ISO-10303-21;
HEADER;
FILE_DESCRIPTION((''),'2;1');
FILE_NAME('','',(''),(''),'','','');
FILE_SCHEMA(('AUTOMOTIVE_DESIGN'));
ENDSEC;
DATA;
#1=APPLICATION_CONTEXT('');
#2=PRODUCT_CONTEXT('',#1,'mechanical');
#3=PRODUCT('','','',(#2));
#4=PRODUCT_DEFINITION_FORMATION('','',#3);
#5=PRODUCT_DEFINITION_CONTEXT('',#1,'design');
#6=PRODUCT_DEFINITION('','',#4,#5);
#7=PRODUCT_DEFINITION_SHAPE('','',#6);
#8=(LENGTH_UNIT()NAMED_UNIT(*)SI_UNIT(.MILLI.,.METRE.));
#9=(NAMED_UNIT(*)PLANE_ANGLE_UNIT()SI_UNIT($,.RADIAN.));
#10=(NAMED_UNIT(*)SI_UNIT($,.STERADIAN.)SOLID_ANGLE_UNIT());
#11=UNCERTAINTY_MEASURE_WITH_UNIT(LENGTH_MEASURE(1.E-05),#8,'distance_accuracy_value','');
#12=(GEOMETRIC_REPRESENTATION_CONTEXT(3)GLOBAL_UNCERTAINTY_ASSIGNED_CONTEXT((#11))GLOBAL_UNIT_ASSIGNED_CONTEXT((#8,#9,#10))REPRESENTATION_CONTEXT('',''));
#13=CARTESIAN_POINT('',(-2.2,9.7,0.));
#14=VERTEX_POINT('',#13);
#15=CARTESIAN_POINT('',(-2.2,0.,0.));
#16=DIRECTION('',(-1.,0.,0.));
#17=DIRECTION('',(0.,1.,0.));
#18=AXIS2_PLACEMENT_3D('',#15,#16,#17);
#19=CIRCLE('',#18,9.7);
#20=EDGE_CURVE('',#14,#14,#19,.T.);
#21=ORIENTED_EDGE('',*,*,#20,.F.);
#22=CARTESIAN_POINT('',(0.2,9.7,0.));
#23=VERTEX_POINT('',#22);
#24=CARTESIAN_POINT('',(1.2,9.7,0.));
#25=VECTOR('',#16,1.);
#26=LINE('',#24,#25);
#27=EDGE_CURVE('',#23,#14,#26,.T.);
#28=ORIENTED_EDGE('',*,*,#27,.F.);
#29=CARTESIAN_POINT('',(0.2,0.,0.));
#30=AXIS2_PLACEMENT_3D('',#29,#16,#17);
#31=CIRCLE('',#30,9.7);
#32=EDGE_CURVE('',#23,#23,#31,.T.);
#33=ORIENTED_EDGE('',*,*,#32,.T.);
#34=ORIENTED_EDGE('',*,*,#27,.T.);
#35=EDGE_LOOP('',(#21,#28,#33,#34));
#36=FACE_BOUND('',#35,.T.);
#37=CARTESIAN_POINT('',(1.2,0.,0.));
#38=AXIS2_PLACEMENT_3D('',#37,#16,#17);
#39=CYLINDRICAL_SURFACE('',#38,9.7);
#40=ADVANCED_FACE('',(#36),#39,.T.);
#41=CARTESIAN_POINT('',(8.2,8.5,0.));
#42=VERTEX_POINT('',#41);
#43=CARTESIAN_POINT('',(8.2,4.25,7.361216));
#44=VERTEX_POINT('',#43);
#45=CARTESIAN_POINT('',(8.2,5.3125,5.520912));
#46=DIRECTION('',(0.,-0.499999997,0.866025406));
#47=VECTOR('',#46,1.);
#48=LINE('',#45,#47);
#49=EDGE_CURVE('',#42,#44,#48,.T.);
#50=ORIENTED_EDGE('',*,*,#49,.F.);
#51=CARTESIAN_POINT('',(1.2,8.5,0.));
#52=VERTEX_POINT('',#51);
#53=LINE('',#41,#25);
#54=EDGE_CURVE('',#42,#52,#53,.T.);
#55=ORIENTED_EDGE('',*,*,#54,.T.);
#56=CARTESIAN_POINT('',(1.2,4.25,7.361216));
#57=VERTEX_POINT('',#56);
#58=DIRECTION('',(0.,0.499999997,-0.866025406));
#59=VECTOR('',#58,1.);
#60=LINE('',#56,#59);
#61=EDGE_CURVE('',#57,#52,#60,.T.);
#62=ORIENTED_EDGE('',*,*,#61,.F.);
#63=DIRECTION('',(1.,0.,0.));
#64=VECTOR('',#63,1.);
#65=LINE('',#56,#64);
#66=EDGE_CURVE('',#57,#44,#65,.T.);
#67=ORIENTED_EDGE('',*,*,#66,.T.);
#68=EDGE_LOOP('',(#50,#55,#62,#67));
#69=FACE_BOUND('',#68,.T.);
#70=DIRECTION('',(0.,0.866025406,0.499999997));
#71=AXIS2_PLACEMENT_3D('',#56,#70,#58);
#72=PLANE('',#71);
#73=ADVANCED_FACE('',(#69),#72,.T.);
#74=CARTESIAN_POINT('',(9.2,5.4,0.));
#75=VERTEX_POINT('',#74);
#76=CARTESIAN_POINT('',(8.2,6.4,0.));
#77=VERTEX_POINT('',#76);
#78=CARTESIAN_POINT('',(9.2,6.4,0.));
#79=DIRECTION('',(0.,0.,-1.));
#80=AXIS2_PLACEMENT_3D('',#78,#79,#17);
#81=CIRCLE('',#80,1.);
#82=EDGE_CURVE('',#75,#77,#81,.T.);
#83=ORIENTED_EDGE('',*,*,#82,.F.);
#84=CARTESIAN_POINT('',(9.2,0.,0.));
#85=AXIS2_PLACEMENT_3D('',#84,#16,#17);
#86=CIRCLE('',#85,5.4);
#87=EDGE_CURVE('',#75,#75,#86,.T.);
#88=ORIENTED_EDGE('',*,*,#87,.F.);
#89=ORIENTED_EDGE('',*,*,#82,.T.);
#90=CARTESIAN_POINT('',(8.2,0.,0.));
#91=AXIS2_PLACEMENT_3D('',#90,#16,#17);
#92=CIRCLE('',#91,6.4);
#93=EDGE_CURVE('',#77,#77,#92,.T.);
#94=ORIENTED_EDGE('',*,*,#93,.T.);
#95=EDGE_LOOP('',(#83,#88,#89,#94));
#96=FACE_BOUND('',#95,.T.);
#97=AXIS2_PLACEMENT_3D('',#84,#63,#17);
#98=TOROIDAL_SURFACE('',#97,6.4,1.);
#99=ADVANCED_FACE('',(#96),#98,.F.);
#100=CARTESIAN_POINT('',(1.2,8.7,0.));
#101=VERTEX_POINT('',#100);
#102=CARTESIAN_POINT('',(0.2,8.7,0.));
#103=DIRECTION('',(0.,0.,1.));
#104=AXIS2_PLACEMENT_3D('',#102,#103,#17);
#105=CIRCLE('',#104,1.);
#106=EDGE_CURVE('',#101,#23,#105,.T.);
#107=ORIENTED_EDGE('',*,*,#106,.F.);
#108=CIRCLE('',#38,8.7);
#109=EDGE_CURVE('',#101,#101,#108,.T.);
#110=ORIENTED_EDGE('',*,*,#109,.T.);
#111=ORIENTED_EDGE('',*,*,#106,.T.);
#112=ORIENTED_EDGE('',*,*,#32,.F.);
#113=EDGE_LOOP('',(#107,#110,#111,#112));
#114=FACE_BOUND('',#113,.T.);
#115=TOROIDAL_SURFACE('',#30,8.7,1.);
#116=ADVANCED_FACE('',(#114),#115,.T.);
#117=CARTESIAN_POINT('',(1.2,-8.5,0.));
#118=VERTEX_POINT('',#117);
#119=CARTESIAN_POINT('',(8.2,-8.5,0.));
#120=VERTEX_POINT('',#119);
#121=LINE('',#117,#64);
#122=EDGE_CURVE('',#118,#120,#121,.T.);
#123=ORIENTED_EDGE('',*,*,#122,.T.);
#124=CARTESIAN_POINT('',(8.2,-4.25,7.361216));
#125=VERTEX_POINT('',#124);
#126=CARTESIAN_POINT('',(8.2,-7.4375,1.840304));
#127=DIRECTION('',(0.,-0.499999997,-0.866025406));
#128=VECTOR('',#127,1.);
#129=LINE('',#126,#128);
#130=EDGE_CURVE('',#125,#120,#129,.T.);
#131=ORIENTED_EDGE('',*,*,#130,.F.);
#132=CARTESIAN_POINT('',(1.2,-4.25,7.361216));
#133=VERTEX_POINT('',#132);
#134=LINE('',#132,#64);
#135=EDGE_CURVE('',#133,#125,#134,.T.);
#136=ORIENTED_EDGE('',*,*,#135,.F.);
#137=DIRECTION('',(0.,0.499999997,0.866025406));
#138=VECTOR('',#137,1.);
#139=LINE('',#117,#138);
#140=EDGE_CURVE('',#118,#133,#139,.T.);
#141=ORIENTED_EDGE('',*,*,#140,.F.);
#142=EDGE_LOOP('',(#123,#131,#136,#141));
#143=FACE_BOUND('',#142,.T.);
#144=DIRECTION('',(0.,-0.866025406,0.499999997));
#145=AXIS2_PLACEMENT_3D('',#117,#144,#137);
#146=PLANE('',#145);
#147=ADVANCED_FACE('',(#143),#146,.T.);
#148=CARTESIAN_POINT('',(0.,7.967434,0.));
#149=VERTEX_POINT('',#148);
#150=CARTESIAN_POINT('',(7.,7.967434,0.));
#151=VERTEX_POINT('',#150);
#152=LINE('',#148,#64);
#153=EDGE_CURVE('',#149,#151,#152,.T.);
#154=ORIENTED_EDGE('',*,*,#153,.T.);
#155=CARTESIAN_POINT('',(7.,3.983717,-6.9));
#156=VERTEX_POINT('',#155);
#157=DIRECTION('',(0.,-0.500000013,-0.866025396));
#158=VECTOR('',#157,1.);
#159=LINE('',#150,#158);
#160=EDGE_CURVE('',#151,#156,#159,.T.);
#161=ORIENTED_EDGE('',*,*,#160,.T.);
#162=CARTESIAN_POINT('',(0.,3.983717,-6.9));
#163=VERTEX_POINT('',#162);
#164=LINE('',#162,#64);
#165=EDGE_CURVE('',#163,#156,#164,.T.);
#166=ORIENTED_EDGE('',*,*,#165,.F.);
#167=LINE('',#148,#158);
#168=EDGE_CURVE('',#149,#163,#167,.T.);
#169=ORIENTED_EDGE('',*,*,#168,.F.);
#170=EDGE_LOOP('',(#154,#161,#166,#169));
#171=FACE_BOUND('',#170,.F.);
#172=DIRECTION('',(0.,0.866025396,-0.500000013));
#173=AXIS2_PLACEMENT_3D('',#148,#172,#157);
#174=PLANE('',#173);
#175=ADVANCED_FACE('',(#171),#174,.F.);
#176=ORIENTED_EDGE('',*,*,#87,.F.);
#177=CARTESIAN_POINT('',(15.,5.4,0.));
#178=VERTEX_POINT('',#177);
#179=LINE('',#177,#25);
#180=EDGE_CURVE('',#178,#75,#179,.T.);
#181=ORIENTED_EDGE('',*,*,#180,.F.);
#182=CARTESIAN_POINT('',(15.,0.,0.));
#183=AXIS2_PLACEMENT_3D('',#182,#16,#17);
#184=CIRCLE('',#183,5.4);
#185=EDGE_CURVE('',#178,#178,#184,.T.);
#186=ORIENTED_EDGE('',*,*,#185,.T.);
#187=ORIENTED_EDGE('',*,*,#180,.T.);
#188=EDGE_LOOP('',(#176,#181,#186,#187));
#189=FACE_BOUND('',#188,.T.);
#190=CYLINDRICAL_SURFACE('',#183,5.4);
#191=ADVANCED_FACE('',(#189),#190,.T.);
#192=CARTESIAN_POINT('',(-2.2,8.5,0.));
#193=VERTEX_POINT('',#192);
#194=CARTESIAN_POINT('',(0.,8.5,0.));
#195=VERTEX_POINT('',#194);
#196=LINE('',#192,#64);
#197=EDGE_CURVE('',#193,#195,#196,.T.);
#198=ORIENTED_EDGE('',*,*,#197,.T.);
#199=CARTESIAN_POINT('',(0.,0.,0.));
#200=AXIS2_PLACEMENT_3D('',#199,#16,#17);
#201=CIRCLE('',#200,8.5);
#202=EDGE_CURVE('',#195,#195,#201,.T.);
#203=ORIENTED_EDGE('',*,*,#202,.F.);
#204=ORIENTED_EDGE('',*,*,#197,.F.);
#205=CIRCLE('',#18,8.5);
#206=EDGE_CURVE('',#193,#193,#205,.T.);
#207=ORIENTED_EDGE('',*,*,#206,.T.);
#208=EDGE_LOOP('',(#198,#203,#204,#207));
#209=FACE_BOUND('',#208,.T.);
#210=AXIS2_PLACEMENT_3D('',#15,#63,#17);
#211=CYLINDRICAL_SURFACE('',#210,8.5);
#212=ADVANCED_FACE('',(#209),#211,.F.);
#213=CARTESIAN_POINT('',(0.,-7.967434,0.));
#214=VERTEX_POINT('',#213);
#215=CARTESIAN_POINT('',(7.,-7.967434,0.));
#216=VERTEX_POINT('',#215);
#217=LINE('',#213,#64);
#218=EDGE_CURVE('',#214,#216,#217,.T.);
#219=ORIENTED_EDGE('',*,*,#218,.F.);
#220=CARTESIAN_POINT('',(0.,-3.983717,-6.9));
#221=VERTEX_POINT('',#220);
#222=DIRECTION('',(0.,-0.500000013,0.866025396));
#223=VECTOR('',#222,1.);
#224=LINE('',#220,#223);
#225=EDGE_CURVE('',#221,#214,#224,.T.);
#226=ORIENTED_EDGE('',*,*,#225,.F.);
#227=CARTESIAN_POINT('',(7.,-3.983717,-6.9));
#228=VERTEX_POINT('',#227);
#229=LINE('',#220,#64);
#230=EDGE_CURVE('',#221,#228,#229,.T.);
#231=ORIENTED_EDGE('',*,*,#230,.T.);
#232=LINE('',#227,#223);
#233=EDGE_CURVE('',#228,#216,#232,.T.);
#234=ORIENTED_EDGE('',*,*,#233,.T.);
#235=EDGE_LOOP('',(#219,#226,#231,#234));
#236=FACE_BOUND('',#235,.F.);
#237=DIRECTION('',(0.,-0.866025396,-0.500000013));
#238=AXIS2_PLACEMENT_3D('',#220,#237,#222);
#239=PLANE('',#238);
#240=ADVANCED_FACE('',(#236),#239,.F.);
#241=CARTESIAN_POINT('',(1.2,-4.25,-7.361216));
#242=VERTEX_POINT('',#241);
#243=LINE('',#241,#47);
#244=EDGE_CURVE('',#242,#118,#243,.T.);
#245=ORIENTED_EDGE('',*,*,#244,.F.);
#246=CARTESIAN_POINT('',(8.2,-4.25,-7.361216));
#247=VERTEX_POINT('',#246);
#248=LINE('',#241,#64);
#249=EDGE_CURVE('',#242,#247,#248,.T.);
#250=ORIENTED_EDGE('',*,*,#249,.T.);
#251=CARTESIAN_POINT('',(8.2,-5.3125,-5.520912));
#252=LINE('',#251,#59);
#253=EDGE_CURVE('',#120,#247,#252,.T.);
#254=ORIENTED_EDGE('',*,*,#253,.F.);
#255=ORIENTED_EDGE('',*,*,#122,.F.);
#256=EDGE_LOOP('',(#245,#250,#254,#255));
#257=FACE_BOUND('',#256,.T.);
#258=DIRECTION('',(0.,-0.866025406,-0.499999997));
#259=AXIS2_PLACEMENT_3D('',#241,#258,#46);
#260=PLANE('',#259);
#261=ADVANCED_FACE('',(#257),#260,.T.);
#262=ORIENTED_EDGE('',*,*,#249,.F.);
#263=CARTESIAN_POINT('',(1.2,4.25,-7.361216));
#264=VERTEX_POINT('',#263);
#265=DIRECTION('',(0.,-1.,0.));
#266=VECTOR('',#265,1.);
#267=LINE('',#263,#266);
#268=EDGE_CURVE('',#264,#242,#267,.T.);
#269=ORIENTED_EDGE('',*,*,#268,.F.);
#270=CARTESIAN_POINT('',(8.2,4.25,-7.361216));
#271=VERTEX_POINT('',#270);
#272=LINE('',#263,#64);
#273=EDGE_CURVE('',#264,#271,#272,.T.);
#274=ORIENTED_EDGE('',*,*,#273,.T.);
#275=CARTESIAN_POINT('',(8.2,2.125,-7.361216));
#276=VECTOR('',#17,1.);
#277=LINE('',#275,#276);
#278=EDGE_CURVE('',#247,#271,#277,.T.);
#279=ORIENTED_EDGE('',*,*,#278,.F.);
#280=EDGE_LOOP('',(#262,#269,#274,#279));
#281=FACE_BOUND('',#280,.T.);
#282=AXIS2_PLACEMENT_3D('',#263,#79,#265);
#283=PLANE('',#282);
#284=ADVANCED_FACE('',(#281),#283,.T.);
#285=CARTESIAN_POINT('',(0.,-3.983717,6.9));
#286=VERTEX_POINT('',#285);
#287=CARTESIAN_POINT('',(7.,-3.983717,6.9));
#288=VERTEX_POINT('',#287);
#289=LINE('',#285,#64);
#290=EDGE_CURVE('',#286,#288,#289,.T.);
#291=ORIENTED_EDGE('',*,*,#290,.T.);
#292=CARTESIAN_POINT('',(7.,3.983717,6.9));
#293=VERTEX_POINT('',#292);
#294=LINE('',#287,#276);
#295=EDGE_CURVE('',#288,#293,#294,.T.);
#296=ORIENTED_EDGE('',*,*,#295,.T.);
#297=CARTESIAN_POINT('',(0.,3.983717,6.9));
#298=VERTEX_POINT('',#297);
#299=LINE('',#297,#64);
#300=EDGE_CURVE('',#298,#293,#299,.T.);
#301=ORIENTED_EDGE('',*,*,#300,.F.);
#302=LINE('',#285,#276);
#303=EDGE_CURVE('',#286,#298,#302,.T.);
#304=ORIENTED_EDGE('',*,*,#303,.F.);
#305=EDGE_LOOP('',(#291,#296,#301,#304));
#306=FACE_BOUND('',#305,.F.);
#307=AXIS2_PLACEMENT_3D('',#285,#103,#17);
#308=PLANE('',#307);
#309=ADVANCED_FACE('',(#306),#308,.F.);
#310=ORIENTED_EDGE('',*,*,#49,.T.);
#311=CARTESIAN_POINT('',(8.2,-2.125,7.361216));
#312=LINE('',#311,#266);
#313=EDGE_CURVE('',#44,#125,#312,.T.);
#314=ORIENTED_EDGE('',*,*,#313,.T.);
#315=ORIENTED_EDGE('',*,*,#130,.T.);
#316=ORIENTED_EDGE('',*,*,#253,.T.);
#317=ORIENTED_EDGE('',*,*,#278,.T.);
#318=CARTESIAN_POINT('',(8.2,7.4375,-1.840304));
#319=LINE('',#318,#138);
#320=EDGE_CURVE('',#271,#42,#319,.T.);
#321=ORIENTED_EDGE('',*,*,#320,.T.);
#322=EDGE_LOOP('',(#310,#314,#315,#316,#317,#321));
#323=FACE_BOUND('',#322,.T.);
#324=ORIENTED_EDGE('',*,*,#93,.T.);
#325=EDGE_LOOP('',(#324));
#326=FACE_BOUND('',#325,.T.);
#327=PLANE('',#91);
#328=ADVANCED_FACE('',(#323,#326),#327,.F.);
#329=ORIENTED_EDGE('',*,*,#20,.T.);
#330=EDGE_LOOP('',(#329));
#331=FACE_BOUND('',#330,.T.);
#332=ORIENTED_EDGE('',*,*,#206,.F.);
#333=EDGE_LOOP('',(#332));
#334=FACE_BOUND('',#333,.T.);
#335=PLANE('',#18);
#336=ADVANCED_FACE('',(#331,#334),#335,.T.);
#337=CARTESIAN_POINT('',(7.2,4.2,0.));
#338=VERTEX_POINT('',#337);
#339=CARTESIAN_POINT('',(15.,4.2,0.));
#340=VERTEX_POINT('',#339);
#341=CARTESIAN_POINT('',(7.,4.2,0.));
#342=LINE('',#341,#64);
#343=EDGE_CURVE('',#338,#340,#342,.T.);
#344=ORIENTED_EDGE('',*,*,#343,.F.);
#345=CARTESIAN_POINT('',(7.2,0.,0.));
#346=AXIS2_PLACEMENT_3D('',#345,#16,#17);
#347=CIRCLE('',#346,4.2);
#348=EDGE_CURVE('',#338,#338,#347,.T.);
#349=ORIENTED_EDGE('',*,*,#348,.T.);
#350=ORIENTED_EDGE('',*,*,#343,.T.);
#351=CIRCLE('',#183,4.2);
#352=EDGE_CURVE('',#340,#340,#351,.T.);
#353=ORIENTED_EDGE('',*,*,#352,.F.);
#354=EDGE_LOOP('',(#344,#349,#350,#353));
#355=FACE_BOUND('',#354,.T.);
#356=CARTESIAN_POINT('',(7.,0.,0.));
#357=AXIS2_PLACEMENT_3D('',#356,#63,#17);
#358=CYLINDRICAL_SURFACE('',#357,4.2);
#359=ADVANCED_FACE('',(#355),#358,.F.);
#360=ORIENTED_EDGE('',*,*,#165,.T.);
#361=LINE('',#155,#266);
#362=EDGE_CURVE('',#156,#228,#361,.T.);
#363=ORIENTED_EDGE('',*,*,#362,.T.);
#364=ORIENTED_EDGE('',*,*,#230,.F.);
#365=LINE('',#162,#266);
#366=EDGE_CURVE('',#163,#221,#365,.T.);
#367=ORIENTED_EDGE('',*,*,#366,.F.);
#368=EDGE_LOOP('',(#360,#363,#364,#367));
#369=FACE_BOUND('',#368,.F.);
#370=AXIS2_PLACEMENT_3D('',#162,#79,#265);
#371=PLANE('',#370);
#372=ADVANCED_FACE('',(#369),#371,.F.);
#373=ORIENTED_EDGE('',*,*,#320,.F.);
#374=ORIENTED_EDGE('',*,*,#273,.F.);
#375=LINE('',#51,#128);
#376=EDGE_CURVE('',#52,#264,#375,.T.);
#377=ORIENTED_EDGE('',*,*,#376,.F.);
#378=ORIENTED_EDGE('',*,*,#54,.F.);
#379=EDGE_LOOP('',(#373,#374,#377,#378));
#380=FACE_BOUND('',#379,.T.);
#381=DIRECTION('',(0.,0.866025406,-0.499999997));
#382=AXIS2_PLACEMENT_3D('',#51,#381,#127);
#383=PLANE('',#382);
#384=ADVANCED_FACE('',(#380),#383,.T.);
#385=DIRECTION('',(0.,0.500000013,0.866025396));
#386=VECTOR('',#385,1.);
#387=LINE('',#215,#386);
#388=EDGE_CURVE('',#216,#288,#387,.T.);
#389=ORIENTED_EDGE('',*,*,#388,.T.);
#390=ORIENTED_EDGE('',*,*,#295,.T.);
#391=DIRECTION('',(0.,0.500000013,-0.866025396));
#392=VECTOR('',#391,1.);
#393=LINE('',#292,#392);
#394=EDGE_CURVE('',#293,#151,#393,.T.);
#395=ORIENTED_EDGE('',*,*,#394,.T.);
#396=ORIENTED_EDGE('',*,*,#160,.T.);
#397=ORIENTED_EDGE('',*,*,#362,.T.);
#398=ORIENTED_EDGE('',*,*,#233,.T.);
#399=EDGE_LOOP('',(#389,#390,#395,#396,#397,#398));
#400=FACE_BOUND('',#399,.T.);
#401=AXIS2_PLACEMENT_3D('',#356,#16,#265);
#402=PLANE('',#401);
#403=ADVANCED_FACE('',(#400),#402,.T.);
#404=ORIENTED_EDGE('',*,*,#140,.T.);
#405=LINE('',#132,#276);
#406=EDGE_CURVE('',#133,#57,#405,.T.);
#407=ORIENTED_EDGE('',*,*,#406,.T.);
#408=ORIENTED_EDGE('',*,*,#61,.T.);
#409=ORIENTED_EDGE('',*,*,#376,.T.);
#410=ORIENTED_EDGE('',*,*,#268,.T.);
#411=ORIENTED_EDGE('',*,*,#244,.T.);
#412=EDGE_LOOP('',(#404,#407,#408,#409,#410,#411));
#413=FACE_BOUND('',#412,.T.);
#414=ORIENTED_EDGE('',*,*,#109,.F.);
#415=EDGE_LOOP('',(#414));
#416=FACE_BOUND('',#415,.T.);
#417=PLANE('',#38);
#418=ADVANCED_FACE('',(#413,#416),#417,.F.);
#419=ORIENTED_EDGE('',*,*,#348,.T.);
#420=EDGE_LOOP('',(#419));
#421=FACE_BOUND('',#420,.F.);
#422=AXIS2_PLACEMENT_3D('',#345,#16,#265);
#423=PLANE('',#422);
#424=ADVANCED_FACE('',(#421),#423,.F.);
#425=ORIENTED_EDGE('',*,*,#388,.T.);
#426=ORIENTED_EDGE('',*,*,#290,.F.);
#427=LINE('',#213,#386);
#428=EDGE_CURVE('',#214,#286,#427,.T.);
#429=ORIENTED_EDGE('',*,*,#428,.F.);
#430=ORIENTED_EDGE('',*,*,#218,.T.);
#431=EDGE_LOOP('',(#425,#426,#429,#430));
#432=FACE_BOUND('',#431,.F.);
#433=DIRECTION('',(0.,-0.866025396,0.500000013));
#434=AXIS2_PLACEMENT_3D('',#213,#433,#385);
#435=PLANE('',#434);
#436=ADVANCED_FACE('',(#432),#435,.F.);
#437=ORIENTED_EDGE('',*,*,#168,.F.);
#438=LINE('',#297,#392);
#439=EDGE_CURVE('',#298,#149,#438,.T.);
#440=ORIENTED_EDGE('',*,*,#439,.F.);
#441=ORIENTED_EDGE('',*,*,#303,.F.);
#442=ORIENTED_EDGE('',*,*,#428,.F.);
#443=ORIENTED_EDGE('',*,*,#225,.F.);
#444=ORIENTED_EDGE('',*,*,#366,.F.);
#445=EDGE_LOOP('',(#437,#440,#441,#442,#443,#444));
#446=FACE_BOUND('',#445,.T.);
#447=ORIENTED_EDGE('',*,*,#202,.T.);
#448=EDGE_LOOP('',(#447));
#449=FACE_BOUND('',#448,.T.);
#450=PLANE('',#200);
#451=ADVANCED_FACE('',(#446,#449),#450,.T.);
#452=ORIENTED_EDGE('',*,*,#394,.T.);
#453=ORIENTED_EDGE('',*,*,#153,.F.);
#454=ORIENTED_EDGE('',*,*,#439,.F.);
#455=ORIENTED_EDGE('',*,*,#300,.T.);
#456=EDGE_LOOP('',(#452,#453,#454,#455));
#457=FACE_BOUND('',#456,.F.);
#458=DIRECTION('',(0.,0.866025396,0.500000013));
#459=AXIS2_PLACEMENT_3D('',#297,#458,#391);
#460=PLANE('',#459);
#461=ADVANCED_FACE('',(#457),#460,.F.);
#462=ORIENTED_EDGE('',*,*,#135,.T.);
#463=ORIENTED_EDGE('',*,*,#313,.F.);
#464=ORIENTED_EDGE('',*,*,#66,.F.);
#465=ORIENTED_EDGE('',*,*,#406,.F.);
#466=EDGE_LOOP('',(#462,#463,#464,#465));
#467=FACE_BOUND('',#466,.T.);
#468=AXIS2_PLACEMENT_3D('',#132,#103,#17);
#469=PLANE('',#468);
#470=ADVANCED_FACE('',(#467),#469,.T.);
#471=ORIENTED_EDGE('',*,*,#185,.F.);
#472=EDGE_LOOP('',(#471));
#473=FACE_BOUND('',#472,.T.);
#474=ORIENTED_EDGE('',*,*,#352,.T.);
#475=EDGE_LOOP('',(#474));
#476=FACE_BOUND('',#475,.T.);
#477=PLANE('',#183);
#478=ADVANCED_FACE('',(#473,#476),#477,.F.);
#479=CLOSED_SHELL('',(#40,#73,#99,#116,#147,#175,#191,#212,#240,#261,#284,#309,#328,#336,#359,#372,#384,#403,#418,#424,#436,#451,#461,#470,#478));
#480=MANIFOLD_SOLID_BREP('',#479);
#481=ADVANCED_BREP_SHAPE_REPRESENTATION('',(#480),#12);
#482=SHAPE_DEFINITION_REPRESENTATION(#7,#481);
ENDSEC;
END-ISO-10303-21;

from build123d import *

# Parameters (mm, degrees)
F3_DEPTH = 7
F4_R     = 10.135693
F5_DEPTH = 13.801
F6_R     = 1
F7_R     = 1
F8_R     = 4.2
F9_DEPTH = 0.2


with BuildPart() as f1:
    # F0 (on Top) → F1 (revolve)
    with BuildSketch(Plane.XY):
        Polygon((0, 8.5), (0, 6.7), (7, 6.7), (7, 4.2), (15, 4.2), (15, 5.4), (8.2, 5.4), (8.2, 8.5), (1.2, 8.5), (1.2, 9.7), (-2.2, 9.7), (-2.2, 8.5), align=None)
    revolve(axis=Axis((9.6, 0, 0), (-1, 0, 0)))

    # F2 (on face) → F3 (cut)
    with BuildSketch(Plane(origin=(0, 0, 0), x_dir=(0, -1, 0), z_dir=(-1, 0, 0))):
        Polygon((3.983717, 6.9), (-3.983717, 6.9), (-7.967434, 0), (-3.983717, -6.9), (3.983717, -6.9), (7.967434, 0), align=None)
    extrude(amount=-F3_DEPTH, mode=Mode.SUBTRACT)

    # F4 (on face) → F5 (cut, through all)
    with BuildSketch(Plane.YZ.offset(1.2)):
        Circle(F4_R)
        Polygon((-8.5, 0), (-4.25, 7.361216), (4.25, 7.361216), (8.5, 0), (4.25, -7.361216), (-4.25, -7.361216), align=None, mode=Mode.SUBTRACT)
    extrude(amount=F5_DEPTH, mode=Mode.SUBTRACT)

    # F6
    f6_edges = [f1.edges().sort_by_distance(p)[0] for p in [
        (8.2, -5.4, 0),
    ]]
    fillet(f6_edges, radius=F6_R)

    # F7
    f7_edges = [f1.edges().sort_by_distance(p)[0] for p in [
        (1.2, -9.7, 0),
    ]]
    fillet(f7_edges, radius=F7_R)

    # F8 (on face) → F9 (join)
    with BuildSketch(Plane(origin=(7, 0, 0), x_dir=(0, -1, 0), z_dir=(-1, 0, 0))):
        Circle(F8_R)
    extrude(amount=-F9_DEPTH)


solid = f1.part
